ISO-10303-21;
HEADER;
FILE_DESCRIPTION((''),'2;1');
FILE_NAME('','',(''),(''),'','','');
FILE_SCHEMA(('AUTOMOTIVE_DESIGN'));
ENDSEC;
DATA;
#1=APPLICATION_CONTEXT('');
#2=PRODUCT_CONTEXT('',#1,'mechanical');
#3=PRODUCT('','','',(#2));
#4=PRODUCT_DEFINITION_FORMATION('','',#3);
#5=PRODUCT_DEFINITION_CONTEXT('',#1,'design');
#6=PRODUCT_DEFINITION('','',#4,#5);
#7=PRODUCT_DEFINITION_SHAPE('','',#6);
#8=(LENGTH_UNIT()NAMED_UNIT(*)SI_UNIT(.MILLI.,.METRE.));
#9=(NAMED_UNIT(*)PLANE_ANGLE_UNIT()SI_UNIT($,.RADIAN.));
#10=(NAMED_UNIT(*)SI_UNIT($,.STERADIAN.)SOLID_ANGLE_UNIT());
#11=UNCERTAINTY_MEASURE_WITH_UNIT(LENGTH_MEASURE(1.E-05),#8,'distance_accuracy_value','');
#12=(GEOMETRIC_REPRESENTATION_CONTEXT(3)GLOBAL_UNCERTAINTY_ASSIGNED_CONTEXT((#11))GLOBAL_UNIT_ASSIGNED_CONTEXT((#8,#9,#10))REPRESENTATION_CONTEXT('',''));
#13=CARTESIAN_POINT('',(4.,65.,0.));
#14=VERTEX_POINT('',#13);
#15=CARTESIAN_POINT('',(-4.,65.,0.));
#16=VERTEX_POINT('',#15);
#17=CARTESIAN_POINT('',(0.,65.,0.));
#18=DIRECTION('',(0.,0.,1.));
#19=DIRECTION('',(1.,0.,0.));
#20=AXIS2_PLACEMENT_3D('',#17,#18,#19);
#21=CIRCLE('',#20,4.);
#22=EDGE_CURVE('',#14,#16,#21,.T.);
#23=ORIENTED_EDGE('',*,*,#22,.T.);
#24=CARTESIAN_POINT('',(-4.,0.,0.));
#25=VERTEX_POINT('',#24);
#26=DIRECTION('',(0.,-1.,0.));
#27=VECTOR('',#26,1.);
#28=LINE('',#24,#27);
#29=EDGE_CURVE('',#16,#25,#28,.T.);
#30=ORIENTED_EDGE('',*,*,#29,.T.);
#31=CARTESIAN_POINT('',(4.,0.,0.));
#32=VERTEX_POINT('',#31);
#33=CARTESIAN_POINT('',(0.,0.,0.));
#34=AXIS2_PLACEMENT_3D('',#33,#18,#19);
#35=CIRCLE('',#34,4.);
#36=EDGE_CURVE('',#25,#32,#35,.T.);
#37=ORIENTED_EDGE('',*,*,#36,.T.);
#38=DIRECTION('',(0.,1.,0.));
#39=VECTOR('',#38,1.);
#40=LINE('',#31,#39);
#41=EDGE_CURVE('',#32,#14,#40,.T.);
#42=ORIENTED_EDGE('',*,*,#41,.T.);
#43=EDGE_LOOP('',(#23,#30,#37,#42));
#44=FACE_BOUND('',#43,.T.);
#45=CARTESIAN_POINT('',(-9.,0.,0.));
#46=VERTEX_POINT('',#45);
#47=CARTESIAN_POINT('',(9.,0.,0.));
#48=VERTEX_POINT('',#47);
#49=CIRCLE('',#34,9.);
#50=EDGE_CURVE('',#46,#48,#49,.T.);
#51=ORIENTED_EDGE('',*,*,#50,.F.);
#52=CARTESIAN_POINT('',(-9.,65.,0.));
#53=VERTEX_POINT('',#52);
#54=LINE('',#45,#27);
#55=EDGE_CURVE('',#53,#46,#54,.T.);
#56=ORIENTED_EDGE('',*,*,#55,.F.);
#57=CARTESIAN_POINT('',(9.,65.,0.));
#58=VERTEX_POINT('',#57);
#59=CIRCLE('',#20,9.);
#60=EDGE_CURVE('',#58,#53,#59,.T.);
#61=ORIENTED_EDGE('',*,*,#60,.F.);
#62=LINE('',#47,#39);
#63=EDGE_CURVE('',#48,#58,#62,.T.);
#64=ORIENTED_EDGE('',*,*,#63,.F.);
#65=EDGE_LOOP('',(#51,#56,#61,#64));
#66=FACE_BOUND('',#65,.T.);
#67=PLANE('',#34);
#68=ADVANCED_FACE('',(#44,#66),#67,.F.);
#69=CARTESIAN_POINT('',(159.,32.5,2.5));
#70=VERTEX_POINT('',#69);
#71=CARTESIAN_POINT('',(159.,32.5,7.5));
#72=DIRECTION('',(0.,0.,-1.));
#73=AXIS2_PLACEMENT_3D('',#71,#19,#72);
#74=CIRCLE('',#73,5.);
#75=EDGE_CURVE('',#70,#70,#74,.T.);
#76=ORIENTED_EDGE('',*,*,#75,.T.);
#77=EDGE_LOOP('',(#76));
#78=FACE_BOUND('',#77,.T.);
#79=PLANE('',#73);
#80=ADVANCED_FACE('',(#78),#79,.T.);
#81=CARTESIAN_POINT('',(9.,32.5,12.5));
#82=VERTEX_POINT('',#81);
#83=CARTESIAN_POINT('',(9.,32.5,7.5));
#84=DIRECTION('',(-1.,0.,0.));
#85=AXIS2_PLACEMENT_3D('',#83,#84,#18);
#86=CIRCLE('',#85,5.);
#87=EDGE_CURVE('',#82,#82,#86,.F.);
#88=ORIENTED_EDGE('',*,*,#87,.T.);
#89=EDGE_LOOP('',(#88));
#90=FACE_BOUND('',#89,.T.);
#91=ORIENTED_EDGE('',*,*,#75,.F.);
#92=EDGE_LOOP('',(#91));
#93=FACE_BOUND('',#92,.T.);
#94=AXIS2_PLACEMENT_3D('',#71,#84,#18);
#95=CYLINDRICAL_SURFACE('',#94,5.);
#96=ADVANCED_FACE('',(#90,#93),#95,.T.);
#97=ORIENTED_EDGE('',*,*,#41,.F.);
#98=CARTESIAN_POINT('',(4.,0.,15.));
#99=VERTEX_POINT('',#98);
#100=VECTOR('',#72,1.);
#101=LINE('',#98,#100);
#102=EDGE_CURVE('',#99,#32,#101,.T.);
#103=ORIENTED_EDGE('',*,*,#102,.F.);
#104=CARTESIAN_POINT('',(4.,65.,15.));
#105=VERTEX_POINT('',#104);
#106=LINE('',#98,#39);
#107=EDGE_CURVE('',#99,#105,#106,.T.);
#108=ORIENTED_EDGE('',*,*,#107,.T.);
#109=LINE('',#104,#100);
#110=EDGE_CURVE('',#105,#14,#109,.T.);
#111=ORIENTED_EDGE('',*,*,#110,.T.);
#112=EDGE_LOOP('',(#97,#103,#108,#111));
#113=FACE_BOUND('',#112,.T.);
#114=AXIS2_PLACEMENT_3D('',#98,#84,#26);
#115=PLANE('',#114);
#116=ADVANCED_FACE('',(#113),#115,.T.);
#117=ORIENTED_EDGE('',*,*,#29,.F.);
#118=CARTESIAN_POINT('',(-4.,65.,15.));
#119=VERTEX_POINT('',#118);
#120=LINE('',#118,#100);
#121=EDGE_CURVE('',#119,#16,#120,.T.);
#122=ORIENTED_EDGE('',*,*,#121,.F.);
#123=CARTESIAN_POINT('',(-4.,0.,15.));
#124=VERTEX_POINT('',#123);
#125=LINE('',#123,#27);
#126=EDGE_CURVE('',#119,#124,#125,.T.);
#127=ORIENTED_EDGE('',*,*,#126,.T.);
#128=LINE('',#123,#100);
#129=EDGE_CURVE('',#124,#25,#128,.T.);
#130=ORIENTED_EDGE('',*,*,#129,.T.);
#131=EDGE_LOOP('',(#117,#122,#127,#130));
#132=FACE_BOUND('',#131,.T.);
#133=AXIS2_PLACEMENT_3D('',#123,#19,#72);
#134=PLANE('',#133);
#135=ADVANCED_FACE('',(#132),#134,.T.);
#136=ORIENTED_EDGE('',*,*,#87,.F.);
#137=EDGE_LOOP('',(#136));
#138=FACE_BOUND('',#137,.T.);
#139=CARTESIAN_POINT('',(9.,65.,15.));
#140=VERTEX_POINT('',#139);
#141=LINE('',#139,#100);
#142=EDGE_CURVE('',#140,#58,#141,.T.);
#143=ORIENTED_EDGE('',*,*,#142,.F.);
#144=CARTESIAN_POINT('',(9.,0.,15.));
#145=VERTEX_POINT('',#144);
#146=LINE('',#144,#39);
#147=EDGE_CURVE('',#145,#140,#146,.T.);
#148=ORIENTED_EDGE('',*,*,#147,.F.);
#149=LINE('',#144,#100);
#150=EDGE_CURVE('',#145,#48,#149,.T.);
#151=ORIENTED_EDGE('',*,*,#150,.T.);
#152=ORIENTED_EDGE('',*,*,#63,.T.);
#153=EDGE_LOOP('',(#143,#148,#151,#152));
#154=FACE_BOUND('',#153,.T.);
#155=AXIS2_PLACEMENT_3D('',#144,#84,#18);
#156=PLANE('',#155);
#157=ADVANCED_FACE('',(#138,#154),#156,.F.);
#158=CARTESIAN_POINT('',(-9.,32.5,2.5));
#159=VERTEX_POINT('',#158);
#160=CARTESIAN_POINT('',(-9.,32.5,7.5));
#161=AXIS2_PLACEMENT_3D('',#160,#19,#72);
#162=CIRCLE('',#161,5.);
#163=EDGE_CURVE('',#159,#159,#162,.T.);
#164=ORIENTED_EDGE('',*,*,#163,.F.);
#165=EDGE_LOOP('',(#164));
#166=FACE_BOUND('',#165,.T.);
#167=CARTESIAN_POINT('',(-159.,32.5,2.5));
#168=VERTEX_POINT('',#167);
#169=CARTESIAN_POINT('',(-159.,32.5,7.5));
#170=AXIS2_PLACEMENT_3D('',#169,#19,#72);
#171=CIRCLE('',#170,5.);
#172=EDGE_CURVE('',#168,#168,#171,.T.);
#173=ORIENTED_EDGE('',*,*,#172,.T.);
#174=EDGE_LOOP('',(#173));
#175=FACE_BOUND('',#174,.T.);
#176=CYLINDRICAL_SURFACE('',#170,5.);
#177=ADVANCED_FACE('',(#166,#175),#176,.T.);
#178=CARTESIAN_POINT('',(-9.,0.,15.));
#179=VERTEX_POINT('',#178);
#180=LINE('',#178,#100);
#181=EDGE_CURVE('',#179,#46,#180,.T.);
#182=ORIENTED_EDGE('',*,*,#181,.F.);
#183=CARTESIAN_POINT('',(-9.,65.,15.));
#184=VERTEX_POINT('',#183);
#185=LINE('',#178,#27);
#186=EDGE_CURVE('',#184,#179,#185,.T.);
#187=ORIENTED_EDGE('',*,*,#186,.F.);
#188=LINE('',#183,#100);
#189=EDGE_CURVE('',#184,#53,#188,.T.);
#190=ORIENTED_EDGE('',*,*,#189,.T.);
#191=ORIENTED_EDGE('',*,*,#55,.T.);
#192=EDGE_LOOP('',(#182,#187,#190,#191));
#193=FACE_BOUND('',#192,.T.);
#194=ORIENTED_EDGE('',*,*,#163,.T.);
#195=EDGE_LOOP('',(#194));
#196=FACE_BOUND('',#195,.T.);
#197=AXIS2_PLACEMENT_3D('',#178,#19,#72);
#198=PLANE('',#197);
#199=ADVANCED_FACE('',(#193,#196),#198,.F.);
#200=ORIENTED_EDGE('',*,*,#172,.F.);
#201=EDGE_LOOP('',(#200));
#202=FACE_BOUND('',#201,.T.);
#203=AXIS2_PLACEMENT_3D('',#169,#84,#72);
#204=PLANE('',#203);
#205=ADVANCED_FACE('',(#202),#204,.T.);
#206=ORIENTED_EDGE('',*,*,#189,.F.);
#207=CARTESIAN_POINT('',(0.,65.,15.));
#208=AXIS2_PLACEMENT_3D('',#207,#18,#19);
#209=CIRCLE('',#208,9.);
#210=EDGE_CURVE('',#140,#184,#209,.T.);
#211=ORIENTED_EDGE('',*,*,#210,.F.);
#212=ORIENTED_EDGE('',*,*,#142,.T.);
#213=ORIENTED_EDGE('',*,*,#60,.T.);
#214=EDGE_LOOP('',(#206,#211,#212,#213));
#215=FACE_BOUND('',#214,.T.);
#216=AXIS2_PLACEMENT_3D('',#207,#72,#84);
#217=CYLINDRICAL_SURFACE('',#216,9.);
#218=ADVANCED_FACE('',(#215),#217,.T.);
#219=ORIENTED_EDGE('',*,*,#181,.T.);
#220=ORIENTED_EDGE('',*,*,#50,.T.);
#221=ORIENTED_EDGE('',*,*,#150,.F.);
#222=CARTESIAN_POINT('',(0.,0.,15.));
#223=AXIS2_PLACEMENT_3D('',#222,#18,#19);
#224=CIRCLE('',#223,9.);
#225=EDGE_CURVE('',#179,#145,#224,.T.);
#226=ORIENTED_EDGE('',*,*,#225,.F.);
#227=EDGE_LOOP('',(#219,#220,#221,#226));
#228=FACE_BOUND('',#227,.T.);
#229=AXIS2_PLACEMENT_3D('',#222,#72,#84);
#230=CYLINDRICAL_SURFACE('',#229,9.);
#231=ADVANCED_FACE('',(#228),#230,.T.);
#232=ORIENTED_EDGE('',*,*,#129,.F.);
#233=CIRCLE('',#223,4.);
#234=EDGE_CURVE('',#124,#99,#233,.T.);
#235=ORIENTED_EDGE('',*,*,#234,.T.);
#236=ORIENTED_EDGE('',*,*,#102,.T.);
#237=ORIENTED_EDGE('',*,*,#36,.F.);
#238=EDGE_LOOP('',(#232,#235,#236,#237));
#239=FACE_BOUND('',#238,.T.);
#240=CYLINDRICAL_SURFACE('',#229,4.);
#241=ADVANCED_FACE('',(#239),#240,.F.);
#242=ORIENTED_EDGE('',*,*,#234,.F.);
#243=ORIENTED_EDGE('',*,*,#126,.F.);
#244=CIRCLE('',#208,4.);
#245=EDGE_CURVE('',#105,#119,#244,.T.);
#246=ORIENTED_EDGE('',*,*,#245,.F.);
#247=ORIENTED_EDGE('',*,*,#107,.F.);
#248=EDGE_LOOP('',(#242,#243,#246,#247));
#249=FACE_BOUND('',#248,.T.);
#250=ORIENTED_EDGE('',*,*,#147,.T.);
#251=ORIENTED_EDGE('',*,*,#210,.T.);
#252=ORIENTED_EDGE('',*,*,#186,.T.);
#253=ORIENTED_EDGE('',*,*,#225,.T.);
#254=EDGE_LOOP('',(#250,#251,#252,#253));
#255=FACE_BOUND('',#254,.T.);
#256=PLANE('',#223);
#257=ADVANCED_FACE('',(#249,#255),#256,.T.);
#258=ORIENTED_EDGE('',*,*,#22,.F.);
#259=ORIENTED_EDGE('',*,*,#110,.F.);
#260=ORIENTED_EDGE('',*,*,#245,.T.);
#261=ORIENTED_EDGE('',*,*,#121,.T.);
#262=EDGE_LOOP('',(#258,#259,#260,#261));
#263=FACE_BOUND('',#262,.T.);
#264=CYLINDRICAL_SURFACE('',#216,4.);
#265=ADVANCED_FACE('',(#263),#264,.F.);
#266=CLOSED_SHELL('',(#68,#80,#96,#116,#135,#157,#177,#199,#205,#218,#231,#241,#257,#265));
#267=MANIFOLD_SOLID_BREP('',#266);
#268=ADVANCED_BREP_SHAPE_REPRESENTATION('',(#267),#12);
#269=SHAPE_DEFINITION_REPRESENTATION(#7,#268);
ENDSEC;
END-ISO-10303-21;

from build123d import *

# Parameters (mm, degrees)
BOSS_EXTRUDE1_DEPTH = 15
SKETCH2_R           = 5
BOSS_EXTRUDE2_DEPTH = 150


with BuildPart() as part:
    # Sketch1 → Boss-Extrude1 (new body)
    with BuildSketch(Plane.XY):
        with BuildLine():
            Line((-9, 0), (-9, 65))
            ThreePointArc((-9, 65), (0, 74), (9, 65))
            Line((9, 65), (9, 0))
            ThreePointArc((9, 0), (0, -9), (-9, 0))
        make_face()
        with BuildLine():
            Line((-4, 0), (-4, 65))
            ThreePointArc((-4, 65), (0, 69), (4, 65))
            Line((4, 65), (4, 0))
            ThreePointArc((4, 0), (0, -4), (-4, 0))
        make_face(mode=Mode.SUBTRACT)
    extrude(amount=BOSS_EXTRUDE1_DEPTH)

    # Sketch2 → Boss-Extrude2 (add)
    with BuildSketch(Plane(origin=(9, 0, 0), x_dir=(0, 0, -1), z_dir=(1, 0, 0))):
        with Locations(Location((-7.5, 32.5, 0), (0, 0, 180))):
            Circle(SKETCH2_R)
    boss_extrude2 = extrude(amount=BOSS_EXTRUDE2_DEPTH)

    # Mirror1: Boss-Extrude2 across plane
    add(boss_extrude2.mirror(Plane(origin=(0, 0, 0), x_dir=(0, 0, 1), z_dir=(1, 0, 0))))


solid = part.part
